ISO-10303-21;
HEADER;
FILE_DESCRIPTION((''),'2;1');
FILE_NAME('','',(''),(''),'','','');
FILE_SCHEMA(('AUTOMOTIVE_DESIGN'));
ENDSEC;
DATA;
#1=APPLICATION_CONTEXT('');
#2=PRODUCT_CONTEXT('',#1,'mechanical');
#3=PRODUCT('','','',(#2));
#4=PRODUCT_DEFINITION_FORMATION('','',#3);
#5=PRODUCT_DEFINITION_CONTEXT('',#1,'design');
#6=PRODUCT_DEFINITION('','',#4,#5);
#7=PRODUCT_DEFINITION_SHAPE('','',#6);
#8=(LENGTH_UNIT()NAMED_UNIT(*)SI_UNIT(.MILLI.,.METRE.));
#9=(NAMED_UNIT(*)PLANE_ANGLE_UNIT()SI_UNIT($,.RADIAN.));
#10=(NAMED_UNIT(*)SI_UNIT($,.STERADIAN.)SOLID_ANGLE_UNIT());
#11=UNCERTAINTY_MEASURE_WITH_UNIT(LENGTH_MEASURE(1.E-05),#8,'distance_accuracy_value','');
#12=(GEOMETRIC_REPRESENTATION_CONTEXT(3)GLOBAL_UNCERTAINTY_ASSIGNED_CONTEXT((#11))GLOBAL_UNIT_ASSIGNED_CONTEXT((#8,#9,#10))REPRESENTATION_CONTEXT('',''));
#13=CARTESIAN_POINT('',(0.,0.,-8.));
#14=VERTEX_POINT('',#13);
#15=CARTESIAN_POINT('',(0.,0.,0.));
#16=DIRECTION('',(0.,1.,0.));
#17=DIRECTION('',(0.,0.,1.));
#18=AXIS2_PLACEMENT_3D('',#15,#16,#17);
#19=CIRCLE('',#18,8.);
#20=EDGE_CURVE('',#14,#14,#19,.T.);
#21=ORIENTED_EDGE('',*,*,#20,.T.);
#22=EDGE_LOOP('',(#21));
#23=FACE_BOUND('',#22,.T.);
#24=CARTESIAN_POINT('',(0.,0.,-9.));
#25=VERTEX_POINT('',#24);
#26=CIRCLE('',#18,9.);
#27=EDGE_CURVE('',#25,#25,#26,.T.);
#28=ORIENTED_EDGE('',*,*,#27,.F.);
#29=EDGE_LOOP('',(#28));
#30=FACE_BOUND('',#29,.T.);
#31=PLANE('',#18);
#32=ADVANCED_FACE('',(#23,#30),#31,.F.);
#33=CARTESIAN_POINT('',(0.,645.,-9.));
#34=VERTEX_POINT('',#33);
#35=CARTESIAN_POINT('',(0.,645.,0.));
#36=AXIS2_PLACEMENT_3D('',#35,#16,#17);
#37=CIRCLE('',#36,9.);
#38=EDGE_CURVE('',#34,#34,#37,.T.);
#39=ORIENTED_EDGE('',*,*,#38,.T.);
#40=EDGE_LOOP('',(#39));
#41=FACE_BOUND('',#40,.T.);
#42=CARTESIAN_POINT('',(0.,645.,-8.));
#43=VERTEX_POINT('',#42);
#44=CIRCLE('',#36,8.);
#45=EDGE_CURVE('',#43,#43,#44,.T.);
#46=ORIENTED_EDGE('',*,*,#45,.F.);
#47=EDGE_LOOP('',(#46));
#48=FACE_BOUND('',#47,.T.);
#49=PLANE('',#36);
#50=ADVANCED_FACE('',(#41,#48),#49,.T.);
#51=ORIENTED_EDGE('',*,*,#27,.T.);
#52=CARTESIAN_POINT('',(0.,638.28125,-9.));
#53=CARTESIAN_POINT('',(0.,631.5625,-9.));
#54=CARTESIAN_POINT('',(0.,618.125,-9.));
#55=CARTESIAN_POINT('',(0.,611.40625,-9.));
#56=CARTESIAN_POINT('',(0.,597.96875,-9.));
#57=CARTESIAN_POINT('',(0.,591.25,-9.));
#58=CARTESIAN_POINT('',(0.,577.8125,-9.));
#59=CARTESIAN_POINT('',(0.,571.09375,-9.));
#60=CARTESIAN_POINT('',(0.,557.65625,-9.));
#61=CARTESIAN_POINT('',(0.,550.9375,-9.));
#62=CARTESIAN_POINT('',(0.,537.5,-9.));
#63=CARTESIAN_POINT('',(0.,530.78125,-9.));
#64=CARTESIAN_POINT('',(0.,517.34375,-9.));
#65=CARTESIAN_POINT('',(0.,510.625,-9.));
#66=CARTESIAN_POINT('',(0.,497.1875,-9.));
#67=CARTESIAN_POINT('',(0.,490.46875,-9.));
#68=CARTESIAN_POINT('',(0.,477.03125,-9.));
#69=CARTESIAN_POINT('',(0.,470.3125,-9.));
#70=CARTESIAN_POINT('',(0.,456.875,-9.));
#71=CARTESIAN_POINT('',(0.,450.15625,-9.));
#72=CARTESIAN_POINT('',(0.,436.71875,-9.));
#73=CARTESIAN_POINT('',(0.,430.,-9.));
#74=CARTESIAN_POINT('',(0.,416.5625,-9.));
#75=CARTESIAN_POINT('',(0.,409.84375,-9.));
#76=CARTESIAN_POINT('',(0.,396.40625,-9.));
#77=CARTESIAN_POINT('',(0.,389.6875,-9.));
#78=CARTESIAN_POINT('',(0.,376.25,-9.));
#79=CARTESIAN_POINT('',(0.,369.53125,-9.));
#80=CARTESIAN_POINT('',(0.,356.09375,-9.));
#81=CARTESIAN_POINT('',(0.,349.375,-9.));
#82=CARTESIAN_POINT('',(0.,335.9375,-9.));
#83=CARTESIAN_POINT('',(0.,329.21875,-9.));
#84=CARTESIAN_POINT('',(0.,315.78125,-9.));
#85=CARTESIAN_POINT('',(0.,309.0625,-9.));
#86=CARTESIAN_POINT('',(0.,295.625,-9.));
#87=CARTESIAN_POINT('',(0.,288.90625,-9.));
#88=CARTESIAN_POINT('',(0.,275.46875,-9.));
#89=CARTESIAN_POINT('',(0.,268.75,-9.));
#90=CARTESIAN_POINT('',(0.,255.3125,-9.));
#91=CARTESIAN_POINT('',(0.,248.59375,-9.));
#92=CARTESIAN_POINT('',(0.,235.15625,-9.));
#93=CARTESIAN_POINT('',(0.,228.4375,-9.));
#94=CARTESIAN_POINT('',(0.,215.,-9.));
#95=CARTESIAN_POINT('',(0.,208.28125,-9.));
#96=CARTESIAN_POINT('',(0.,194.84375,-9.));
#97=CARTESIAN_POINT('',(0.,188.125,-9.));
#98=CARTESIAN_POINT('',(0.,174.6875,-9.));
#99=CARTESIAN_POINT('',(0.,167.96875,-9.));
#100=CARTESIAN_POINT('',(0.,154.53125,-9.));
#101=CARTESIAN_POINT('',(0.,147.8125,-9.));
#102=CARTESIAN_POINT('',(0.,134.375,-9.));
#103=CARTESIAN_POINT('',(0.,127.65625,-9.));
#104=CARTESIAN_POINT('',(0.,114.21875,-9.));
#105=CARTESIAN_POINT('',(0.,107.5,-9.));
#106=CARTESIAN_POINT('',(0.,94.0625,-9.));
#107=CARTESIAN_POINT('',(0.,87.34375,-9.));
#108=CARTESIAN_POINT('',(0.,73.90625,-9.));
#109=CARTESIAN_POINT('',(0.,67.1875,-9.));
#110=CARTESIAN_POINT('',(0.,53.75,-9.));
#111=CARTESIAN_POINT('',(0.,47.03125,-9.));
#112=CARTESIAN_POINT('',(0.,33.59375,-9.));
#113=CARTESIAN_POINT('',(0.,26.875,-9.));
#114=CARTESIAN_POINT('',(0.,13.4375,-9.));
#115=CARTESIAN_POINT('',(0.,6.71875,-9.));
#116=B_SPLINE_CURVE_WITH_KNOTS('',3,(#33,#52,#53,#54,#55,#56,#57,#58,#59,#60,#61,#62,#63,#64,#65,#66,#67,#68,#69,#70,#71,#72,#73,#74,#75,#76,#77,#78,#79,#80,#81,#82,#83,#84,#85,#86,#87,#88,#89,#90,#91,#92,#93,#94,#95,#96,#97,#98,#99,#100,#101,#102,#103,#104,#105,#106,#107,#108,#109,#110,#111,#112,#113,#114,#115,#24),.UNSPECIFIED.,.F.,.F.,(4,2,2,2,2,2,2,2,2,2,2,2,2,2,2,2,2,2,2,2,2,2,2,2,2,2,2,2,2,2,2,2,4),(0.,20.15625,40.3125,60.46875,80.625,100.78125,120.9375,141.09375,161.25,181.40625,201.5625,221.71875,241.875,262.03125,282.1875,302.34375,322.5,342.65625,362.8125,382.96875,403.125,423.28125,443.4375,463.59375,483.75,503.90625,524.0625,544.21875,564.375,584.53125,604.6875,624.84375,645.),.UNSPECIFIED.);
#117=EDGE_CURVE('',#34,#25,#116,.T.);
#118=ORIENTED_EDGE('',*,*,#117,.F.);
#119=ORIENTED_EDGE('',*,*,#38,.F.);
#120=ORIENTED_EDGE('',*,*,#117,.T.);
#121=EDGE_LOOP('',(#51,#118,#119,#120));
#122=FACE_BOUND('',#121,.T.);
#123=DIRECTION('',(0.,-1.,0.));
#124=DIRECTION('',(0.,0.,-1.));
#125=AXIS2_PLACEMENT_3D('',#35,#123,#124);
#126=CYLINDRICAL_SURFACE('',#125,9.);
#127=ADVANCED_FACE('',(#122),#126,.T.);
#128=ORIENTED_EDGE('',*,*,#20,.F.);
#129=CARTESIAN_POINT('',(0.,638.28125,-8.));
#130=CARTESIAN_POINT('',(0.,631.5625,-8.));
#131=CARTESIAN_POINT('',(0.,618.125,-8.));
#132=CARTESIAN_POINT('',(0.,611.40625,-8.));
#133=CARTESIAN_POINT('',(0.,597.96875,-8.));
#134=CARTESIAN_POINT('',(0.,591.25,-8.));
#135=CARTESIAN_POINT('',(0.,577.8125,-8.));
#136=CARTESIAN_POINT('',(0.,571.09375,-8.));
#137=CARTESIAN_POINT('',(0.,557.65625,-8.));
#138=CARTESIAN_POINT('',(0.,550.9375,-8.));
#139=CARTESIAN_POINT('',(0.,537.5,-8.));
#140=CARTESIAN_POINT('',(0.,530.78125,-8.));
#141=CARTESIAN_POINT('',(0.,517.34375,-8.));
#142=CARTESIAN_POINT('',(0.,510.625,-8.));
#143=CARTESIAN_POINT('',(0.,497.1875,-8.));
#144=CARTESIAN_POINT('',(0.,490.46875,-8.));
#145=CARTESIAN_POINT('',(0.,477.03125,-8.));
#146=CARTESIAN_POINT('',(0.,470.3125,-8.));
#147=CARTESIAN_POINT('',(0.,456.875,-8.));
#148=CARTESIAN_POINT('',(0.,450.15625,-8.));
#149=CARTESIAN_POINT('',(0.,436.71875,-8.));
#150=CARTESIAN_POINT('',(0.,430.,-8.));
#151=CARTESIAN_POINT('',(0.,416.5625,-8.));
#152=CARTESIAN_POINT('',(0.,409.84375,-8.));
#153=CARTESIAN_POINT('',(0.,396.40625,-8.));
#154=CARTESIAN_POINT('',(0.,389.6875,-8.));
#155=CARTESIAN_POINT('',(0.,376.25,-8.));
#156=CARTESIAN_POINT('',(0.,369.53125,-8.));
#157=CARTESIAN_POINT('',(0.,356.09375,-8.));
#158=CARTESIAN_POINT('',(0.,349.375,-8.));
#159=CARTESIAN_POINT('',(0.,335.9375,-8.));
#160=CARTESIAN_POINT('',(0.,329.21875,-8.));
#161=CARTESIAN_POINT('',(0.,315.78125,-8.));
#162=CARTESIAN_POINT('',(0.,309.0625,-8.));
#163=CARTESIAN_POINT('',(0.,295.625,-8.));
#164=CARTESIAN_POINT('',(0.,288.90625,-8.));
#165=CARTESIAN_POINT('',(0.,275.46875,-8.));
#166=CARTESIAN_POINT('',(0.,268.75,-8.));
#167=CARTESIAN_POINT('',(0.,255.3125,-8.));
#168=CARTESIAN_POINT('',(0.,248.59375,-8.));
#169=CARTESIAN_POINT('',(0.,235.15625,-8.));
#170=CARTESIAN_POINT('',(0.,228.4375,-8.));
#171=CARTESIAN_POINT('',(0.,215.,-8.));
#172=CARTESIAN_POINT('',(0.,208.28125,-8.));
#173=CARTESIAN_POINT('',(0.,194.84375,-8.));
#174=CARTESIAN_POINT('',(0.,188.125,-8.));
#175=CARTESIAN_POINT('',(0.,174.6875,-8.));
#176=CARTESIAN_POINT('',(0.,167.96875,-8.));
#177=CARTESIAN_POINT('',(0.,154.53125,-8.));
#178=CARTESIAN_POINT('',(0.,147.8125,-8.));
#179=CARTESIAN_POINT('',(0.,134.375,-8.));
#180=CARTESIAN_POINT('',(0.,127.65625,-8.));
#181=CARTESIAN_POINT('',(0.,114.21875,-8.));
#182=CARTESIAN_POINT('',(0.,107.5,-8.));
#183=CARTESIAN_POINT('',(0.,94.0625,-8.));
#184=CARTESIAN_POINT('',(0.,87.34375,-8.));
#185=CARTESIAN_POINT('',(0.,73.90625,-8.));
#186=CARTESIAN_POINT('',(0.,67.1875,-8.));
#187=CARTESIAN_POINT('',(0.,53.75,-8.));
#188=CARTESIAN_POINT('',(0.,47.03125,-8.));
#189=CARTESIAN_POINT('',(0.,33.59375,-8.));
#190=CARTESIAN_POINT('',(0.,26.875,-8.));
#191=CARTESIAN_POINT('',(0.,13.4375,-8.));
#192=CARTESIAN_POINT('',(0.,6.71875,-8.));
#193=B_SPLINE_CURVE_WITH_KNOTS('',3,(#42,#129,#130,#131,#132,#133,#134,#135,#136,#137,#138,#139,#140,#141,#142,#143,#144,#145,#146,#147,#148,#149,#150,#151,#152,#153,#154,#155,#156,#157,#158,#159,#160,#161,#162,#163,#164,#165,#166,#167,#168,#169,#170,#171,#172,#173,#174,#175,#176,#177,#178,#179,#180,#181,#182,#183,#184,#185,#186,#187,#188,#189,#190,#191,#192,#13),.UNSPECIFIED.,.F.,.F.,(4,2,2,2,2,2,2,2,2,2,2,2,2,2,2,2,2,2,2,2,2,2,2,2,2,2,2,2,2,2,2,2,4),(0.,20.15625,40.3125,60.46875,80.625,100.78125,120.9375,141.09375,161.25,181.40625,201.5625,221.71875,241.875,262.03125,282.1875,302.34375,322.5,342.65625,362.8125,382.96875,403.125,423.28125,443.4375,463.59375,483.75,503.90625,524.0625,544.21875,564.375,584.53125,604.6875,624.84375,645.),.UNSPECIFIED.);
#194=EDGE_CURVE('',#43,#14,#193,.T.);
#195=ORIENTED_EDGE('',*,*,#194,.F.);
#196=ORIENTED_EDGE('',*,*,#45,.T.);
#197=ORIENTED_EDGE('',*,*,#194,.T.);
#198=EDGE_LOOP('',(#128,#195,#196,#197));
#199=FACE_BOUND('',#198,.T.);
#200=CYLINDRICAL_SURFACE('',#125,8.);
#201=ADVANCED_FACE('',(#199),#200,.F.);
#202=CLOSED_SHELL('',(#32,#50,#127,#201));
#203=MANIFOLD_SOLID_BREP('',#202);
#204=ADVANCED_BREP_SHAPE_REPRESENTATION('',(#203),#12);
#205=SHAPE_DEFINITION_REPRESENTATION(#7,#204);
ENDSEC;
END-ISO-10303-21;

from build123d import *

# Parameters (mm, degrees)
SCHIZZO1_R                   = 9
SCHIZZO1_R_2                 = 8
ESTRUSIONE_ESTRUSIONE1_DEPTH = 645


with BuildPart() as part:
    # Schizzo1 → Estrusione-Estrusione1 (new body)
    with BuildSketch(Plane(origin=(0, 0, 0), x_dir=(1, 0, 0), z_dir=(0, 1, 0))):
        with Locations(Location((0, 0, 0), (0, 0, 90))):
            Circle(SCHIZZO1_R)
        with Locations(Location((0, 0, 0), (0, 0, 90))):
            Circle(SCHIZZO1_R_2, mode=Mode.SUBTRACT)
    extrude(amount=ESTRUSIONE_ESTRUSIONE1_DEPTH)


solid = part.part
